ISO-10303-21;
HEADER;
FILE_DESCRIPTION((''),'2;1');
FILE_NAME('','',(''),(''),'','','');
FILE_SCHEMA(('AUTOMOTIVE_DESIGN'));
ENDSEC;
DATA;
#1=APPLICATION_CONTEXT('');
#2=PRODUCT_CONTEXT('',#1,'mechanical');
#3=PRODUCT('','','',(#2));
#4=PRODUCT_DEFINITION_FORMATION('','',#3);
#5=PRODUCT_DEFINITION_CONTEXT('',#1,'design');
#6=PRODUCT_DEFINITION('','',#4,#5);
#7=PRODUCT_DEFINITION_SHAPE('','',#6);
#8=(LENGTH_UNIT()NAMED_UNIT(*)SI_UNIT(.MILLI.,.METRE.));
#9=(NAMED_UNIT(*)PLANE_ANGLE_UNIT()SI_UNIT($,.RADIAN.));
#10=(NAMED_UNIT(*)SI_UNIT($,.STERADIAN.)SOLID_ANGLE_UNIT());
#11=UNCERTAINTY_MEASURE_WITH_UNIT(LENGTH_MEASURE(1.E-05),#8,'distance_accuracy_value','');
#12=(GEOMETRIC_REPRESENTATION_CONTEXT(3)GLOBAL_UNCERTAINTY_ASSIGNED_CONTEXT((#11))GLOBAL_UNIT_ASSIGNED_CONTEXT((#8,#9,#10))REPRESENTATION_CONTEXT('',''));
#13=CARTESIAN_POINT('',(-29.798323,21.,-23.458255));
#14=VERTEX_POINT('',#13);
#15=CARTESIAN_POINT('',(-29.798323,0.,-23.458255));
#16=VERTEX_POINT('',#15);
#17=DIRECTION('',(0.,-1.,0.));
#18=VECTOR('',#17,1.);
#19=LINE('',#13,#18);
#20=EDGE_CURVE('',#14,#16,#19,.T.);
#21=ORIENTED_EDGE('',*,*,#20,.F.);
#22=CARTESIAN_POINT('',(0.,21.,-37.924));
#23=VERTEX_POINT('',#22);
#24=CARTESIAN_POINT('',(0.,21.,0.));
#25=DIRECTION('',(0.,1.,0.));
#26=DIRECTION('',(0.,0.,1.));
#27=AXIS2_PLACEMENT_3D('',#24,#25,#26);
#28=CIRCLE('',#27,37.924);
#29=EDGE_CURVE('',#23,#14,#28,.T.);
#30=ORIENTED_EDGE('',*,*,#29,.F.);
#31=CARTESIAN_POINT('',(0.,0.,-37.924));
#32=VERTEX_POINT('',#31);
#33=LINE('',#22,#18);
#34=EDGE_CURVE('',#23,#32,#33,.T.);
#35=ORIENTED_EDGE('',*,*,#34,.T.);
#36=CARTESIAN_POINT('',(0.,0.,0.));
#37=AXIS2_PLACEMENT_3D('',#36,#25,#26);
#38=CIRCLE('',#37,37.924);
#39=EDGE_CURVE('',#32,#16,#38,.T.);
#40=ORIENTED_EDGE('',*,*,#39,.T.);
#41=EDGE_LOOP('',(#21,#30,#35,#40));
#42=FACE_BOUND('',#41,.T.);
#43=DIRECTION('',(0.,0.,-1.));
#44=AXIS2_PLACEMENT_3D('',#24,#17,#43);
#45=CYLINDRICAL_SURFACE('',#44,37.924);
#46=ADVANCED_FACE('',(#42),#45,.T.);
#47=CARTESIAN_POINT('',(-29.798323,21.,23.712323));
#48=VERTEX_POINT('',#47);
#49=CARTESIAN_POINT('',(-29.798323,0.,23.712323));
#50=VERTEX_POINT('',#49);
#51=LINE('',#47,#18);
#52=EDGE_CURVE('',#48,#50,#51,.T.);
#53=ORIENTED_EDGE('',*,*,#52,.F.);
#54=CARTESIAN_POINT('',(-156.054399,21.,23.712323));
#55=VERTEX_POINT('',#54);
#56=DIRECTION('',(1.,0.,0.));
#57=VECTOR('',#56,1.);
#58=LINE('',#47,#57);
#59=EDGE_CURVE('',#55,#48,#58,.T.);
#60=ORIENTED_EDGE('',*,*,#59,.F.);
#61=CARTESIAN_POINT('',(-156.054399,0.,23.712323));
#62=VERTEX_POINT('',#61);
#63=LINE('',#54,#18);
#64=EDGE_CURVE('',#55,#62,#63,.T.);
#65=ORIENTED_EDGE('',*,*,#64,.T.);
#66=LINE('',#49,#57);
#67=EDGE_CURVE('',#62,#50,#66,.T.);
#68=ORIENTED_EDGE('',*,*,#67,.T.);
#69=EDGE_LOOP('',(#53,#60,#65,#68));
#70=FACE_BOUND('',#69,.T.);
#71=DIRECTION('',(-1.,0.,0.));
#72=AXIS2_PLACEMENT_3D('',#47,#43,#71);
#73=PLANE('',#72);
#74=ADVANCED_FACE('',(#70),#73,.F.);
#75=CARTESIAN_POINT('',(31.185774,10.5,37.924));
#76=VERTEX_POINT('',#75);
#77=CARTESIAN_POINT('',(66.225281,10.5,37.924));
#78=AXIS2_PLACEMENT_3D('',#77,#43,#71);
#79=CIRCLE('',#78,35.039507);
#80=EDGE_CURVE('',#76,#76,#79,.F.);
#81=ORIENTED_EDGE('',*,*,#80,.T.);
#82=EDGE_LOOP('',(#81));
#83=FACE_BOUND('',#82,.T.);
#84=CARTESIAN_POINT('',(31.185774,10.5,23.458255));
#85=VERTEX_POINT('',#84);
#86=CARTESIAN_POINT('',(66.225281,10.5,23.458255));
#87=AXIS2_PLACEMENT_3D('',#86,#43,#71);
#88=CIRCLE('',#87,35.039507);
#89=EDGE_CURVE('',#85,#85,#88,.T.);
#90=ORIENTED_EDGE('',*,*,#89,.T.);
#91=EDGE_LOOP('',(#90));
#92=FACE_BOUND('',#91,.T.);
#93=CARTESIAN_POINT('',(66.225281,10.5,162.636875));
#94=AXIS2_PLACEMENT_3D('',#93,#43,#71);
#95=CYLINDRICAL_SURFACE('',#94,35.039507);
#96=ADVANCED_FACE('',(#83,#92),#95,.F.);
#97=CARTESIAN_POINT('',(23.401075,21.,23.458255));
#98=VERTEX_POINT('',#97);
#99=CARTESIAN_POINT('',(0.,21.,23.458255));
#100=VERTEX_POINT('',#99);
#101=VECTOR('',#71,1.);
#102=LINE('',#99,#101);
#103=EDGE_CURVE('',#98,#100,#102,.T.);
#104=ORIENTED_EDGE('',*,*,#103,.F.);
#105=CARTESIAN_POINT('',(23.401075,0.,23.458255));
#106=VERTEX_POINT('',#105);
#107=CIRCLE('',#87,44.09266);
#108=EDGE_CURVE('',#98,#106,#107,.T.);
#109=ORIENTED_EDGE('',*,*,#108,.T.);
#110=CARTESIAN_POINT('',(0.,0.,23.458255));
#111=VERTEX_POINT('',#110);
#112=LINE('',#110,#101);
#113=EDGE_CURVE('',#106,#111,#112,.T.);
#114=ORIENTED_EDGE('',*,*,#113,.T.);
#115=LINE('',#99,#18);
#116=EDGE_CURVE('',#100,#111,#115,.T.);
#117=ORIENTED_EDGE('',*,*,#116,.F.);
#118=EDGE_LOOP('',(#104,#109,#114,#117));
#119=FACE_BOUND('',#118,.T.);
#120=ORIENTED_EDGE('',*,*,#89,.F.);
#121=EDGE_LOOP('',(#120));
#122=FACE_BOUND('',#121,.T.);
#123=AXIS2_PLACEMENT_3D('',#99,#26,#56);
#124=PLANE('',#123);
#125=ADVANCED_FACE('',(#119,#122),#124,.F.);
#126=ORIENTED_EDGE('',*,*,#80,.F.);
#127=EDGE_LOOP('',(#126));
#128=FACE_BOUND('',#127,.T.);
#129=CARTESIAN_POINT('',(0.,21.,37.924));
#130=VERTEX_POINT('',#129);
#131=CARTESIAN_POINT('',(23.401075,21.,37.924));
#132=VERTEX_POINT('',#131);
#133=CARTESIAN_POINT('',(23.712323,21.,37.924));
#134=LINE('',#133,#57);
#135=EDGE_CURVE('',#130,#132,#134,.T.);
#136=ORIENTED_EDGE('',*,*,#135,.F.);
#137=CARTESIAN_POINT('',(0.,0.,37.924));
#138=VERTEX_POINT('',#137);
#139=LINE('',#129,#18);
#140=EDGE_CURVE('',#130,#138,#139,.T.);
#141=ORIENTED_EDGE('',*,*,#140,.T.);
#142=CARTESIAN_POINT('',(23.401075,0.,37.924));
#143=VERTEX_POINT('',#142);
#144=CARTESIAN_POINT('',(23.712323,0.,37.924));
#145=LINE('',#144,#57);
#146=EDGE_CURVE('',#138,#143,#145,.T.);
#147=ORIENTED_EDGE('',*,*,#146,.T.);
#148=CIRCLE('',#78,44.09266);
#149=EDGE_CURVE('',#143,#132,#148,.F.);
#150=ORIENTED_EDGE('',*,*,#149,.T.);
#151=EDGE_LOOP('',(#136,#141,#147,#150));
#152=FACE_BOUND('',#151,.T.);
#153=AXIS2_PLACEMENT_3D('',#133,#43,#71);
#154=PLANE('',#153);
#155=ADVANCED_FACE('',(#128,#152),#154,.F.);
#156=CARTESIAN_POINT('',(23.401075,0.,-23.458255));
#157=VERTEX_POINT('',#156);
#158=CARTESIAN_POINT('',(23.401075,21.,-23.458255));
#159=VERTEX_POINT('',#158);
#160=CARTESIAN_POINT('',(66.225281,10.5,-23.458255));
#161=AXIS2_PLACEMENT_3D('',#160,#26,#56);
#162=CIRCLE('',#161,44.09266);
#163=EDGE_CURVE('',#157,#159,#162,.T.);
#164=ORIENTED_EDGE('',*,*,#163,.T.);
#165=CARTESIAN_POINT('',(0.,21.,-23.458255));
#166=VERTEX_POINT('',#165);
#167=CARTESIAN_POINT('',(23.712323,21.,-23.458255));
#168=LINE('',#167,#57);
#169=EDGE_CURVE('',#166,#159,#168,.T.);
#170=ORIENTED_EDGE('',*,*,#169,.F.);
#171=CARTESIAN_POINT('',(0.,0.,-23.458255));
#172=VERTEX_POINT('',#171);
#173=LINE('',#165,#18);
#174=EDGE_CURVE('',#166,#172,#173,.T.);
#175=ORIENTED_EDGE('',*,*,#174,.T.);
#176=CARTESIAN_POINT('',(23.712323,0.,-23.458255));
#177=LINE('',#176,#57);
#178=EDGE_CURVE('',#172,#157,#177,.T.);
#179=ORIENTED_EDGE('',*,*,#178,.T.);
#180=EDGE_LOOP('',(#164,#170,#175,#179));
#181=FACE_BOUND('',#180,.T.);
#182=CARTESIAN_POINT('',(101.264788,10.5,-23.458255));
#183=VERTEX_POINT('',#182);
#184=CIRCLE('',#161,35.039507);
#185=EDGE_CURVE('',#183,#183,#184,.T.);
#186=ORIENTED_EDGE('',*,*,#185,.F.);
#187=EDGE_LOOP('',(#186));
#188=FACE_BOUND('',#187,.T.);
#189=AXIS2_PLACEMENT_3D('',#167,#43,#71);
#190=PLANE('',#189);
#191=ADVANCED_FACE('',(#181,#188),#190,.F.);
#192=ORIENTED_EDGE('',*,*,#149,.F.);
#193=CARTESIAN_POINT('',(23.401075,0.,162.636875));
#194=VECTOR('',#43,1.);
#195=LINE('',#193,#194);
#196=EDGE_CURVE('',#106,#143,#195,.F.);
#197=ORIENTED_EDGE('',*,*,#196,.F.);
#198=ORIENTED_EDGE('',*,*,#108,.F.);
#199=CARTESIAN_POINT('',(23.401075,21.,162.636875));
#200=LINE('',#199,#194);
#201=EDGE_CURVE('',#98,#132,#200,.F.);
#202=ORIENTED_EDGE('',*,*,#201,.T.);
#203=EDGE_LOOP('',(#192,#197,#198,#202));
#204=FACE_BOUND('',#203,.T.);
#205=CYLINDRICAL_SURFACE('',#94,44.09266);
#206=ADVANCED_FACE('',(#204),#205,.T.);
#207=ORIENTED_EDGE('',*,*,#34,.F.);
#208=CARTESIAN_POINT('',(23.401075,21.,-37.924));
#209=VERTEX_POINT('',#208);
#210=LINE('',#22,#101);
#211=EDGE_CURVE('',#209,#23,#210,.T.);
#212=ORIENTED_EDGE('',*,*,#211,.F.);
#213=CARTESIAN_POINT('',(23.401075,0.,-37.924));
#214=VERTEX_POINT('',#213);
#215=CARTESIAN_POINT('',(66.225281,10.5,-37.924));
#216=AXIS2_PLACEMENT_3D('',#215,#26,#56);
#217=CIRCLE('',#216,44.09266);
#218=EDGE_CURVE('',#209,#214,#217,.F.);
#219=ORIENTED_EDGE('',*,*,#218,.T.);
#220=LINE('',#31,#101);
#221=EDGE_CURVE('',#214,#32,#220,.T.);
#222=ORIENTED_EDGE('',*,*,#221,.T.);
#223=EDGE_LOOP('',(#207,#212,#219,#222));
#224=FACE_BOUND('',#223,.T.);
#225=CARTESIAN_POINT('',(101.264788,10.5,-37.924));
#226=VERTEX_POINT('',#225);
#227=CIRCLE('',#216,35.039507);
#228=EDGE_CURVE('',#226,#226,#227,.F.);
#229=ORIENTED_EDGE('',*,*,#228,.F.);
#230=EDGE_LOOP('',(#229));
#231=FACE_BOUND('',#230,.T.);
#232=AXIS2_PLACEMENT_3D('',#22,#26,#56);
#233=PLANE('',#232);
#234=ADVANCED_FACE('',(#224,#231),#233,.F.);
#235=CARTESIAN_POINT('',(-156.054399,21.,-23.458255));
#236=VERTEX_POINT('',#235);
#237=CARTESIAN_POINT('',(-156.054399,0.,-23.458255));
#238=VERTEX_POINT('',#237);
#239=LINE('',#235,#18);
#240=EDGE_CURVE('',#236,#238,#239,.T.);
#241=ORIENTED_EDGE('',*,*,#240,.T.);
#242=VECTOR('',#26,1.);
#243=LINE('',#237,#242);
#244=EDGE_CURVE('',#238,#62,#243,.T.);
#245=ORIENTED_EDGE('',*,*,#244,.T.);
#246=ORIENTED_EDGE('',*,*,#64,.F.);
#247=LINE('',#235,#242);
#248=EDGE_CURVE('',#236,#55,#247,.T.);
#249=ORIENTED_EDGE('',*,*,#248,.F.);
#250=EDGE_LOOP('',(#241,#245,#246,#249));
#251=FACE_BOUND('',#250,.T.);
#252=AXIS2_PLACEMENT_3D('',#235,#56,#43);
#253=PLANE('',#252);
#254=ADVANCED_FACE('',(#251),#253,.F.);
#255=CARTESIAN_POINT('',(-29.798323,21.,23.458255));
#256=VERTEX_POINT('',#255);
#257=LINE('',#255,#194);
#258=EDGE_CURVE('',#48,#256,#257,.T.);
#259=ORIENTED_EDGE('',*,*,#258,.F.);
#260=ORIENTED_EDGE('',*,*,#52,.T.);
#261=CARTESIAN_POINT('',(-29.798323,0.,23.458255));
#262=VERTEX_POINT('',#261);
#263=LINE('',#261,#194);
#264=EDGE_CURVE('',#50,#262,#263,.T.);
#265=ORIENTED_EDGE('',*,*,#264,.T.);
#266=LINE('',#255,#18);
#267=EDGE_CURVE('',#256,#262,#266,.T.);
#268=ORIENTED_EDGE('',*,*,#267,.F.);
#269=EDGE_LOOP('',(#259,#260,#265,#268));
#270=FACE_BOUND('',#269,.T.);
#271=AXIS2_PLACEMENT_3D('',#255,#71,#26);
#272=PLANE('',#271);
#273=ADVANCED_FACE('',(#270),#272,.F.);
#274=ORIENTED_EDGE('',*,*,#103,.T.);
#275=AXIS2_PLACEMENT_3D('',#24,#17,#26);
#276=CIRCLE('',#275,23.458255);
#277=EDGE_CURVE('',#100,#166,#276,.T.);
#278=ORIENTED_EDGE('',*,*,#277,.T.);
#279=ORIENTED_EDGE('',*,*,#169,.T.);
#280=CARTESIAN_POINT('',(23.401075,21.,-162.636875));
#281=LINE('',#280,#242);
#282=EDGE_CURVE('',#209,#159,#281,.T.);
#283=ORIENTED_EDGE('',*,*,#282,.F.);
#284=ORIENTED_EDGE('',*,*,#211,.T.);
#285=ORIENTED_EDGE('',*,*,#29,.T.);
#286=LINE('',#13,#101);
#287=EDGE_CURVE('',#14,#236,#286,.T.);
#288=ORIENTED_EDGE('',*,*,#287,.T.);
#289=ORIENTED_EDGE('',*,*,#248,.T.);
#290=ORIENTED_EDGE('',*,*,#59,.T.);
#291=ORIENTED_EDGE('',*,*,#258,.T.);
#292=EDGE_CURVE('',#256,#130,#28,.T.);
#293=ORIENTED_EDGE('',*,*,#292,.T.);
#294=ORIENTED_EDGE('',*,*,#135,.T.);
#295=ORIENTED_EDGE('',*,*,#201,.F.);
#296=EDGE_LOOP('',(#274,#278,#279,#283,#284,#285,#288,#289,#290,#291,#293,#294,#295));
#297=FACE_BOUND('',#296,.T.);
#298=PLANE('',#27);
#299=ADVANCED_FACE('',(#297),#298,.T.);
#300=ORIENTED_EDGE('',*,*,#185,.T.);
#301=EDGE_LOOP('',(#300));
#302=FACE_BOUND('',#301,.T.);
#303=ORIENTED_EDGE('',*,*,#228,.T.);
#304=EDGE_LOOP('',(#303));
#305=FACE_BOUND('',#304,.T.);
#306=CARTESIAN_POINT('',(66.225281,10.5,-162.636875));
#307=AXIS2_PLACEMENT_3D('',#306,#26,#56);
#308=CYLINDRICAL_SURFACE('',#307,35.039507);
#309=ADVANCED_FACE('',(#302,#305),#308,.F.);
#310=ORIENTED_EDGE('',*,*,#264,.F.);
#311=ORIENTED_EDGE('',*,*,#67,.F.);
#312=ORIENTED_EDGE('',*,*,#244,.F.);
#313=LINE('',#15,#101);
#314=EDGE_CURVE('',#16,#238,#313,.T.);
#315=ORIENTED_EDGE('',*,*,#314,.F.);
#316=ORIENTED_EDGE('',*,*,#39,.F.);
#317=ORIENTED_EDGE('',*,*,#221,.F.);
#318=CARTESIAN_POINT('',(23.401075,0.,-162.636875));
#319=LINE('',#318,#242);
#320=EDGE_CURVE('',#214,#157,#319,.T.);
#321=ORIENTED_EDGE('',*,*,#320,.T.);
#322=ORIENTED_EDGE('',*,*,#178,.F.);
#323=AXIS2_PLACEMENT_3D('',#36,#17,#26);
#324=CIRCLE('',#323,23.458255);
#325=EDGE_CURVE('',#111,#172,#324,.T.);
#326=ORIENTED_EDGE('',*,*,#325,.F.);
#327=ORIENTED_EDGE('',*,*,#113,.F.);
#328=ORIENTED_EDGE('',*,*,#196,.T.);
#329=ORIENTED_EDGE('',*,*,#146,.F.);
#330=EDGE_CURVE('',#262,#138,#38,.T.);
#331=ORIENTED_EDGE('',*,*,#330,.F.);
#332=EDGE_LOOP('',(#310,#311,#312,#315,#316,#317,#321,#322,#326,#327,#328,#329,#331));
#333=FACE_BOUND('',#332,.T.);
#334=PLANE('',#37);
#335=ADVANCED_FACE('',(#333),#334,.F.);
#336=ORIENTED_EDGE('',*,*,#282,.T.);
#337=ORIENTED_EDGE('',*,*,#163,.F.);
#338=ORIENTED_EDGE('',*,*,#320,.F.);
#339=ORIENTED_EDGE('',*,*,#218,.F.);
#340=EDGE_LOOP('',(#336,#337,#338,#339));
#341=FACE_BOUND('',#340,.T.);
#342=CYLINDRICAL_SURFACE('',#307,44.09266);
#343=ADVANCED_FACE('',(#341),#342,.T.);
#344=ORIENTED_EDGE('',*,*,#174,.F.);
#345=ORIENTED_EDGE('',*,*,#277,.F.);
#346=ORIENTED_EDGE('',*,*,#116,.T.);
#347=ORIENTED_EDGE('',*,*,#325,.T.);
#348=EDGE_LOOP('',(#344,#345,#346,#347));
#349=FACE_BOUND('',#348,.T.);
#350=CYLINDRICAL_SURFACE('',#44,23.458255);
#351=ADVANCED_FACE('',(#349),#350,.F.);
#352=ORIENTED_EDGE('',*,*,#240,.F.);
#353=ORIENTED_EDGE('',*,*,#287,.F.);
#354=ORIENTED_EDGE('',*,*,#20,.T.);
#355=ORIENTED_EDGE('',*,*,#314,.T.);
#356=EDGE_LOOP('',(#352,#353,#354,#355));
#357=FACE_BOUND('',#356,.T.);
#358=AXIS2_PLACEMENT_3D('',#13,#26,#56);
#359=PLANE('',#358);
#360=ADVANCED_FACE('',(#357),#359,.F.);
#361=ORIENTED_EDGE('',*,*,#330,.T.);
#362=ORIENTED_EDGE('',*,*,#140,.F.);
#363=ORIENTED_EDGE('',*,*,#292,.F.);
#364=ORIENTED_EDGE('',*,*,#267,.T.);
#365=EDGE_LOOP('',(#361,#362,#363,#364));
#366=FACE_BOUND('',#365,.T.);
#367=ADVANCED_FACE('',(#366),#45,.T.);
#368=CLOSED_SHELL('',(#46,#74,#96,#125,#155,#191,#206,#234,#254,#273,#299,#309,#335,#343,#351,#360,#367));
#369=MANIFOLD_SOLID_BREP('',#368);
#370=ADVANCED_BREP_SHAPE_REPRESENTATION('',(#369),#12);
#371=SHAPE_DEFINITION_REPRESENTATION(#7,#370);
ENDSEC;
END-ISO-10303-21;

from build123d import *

# Parameters (mm, degrees)
BOSS_EXTRUDE1_DEPTH = 21
SKETCH2_R           = 44.092659675
SKETCH2_R_2         = 35.039506693
BOSS_EXTRUDE2_DEPTH = 14.465745569
BOSS_EXTRUDE3_START = -14.465745569
SKETCH4_R           = 44.092659675
SKETCH4_R_2         = 35.039506693
BOSS_EXTRUDE3_DEPTH = 14.465745569


with BuildPart() as part:
    # Sketch1 → Boss-Extrude1 (new body)
    with BuildSketch(Plane(origin=(0, 0, 0), x_dir=(1, 0, 0), z_dir=(0, 1, 0))):
        with BuildLine():
            Line((0, 37.924000209), (23.712323124, 37.924000209))
            Line((23.712323124, 37.924000209), (23.712323124, 23.45825464))
            Line((23.712323124, 23.45825464), (0, 23.45825464))
            ThreePointArc((0, 23.45825464), (-23.45825464, 0), (0, -23.45825464))
            Line((0, -23.45825464), (23.712323124, -23.45825464))
            Line((23.712323124, -23.45825464), (23.712323124, -37.924000209))
            Line((23.712323124, -37.924000209), (0, -37.924000209))
            ThreePointArc((0, -37.924000209), (-16.561988679, -34.116423067), (-29.798323461, -23.45825464))
            Line((-29.798323461, -23.45825464), (-29.798323461, -23.712323124))
            Line((-29.798323461, -23.712323124), (-156.054398777, -23.712323124))
            Line((-156.054398777, -23.712323124), (-156.054398777, 23.45825464))
            Line((-156.054398777, 23.45825464), (-29.798323461, 23.45825464))
            ThreePointArc((-29.798323461, 23.45825464), (-16.561988679, 34.116423067), (0, 37.924000209))
        make_face()
    extrude(amount=BOSS_EXTRUDE1_DEPTH)

    # Sketch2 → Boss-Extrude2 (add)
    with BuildSketch(Plane.XY.offset(-23.45825464)):
        with Locations((66.225280873, 10.5)):
            Circle(SKETCH2_R)
        with Locations((66.225280873, 10.5)):
            Circle(SKETCH2_R_2, mode=Mode.SUBTRACT)
    extrude(amount=-BOSS_EXTRUDE2_DEPTH)

    # Sketch4 → Boss-Extrude3 (add)
    with BuildSketch(Plane(origin=(0, 0, 23.45825464), x_dir=(-1, 0, 0), z_dir=(0, 0, -1)).offset(BOSS_EXTRUDE3_START)):
        with Locations((-66.225280873, 10.5)):
            Circle(SKETCH4_R)
        with Locations(Location((-66.225280873, 10.5, 0), (0, 0, 180))):
            Circle(SKETCH4_R_2, mode=Mode.SUBTRACT)
    extrude(amount=BOSS_EXTRUDE3_DEPTH)


solid = part.part
